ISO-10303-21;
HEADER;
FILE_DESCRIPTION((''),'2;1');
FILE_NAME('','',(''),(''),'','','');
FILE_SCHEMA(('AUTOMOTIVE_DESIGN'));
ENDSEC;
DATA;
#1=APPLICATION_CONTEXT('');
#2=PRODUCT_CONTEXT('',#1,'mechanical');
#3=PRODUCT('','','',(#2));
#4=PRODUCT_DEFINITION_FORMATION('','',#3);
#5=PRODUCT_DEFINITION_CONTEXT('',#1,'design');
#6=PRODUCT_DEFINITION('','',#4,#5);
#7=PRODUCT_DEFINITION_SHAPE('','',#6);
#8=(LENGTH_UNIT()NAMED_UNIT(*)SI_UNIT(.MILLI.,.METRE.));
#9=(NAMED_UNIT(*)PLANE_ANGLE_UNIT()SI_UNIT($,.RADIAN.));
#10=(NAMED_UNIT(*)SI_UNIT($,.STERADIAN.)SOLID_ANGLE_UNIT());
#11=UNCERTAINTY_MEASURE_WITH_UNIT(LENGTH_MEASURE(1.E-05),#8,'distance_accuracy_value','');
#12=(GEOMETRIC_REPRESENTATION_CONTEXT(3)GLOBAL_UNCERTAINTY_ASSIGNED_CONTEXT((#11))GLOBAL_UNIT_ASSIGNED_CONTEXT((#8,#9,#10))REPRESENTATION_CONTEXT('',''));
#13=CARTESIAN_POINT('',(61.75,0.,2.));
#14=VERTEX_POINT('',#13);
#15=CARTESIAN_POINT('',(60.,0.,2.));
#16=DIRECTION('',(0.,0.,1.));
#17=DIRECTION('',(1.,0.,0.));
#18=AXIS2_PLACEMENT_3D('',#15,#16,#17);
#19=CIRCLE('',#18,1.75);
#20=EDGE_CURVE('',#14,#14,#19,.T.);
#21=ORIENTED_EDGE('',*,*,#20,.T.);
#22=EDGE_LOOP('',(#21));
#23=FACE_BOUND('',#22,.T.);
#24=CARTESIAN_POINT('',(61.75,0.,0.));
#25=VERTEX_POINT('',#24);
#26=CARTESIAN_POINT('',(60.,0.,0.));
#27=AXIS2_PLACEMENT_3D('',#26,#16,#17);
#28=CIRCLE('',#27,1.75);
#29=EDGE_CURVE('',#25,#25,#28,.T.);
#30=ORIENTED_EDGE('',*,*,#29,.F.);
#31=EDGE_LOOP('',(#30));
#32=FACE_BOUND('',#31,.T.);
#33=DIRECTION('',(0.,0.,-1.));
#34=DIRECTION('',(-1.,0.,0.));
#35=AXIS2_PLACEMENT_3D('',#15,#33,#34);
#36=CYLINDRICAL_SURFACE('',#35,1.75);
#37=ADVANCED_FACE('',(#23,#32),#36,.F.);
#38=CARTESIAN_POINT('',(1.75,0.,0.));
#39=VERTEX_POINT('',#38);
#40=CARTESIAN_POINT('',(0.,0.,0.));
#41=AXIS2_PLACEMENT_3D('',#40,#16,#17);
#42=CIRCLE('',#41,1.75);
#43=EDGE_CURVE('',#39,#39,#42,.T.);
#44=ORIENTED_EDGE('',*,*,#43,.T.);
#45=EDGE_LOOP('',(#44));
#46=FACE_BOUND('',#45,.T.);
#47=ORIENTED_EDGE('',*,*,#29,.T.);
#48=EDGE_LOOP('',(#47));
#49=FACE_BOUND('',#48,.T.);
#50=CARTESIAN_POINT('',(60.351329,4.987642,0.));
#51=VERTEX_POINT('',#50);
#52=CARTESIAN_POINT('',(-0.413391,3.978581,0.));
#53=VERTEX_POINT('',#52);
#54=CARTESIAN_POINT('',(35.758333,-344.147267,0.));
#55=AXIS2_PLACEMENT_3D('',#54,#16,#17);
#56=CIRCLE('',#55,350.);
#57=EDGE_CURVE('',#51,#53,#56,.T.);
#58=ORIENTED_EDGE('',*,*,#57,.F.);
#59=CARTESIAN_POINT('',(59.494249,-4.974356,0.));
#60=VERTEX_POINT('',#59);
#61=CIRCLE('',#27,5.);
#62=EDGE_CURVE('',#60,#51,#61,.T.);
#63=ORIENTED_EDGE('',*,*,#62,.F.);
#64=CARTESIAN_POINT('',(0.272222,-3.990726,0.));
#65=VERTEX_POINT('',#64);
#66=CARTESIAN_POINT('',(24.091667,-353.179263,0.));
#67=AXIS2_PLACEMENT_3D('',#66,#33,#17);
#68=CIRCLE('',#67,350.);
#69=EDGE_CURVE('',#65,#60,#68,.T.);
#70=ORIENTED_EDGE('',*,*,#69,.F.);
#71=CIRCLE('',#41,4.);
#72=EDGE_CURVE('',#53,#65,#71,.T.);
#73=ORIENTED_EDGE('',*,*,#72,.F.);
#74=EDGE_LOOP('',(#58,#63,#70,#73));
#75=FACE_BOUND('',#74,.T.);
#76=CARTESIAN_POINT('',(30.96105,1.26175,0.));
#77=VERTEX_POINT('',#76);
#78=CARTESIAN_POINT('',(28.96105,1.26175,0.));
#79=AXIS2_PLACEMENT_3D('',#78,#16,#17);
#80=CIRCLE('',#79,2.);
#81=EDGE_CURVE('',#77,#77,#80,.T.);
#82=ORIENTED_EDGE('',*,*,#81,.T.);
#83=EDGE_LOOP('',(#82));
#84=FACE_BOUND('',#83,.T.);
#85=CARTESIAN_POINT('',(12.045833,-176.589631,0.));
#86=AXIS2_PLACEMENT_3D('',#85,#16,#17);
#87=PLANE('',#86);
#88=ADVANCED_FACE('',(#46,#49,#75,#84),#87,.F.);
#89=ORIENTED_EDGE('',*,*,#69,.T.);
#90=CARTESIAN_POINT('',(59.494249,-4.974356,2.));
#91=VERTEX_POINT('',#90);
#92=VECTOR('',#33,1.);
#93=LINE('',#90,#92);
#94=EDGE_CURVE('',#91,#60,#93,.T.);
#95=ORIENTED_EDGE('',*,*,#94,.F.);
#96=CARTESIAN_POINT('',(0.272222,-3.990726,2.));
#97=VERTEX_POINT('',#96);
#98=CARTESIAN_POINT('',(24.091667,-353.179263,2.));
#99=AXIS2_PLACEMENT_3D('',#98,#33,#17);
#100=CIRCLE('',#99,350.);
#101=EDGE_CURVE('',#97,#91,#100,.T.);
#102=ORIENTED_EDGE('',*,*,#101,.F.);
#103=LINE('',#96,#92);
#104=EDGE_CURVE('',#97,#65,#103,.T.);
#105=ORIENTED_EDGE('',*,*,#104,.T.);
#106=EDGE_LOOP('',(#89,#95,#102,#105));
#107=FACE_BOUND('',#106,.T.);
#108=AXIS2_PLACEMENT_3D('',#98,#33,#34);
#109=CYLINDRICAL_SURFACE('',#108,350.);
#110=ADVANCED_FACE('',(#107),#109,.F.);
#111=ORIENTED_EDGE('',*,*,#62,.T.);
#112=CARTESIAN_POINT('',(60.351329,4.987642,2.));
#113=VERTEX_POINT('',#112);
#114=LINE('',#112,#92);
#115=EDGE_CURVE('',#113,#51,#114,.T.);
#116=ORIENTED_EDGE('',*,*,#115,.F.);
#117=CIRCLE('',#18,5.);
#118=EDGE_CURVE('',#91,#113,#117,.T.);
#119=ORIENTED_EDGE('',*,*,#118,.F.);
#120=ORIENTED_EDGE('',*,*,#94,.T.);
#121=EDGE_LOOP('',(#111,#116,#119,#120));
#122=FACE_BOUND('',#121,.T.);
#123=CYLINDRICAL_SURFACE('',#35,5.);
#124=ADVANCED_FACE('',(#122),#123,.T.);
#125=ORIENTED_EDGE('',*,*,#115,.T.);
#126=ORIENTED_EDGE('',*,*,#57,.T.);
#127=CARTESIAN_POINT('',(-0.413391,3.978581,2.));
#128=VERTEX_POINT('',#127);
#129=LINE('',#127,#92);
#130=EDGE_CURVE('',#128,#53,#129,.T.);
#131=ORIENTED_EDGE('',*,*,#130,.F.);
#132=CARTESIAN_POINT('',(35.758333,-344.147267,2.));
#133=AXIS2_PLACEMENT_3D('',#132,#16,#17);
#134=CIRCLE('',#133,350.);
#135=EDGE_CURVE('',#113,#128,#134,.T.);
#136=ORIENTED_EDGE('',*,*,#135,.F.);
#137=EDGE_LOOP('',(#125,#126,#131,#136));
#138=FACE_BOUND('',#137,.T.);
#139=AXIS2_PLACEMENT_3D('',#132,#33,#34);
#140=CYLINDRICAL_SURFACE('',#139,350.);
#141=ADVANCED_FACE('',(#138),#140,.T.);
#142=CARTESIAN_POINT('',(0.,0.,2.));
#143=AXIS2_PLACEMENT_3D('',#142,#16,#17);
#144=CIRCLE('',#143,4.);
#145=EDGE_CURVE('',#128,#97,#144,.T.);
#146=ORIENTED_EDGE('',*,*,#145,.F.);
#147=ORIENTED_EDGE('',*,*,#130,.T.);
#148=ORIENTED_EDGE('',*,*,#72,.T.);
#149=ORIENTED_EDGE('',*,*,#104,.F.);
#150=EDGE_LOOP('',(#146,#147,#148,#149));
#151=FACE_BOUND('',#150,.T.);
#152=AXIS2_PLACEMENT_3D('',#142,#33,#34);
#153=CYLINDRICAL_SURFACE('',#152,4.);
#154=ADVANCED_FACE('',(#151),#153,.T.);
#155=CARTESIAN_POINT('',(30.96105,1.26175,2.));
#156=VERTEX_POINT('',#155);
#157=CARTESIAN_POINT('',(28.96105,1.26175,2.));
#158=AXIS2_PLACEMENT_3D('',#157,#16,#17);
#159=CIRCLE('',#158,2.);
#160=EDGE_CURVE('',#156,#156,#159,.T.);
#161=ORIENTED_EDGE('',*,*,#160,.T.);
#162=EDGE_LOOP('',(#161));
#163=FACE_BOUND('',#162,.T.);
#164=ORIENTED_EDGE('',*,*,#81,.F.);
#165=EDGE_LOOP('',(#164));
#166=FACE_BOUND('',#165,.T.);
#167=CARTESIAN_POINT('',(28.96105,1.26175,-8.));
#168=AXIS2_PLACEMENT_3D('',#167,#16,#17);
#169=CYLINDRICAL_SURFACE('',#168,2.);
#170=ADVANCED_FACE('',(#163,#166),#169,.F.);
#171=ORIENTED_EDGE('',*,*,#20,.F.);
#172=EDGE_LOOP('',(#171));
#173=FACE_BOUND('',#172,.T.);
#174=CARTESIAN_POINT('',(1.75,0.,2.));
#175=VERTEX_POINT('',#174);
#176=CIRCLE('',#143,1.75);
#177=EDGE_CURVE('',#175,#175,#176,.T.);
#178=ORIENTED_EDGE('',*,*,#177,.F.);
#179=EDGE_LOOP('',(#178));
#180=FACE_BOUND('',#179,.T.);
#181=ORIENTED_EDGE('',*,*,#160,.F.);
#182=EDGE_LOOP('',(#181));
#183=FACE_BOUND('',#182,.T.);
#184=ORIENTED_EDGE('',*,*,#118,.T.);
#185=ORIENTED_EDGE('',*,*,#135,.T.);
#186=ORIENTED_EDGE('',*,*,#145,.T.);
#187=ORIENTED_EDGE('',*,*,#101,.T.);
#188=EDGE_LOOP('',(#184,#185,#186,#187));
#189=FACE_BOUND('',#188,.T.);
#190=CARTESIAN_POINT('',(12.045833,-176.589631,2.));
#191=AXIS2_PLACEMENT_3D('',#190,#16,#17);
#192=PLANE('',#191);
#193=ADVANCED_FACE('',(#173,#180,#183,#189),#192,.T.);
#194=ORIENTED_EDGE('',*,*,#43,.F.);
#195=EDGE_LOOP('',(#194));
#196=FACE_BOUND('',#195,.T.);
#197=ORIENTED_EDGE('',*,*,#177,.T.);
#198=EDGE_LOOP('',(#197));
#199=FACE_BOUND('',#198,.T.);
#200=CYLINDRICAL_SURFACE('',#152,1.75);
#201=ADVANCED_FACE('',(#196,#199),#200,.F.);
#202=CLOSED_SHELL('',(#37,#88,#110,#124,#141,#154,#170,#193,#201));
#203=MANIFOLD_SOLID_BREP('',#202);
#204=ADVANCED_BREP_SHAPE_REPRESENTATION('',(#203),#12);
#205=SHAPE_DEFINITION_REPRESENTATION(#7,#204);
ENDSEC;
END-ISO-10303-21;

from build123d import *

# Parameters (mm, degrees)
SKETCH1_R           = 1.75
BOSS_EXTRUDE1_DEPTH = 2
SKETCH_1_R          = 2
CUT_EXTRUDE_1_DEPTH = 10


with BuildPart() as part:
    # Sketch1 → Boss-Extrude1 (new body)
    with BuildSketch(Plane.XY):
        with BuildLine():
            ThreePointArc((-0.413391137, 3.978581125), (-3.985278749, -0.34286046), (0.272222222, -3.990726132))
            ThreePointArc((0.272222222, -3.990726132), (29.90408025, -3.227529096), (59.494248826, -4.974355813))
            ThreePointArc((59.494248826, -4.974355813), (64.981597081, -0.428591321), (60.351328502, 4.987641555))
            ThreePointArc((60.351328502, 4.987641555), (29.947025925, 5.804484659), (-0.413391137, 3.978581125))
        make_face()
        Circle(SKETCH1_R, mode=Mode.SUBTRACT)
        with Locations((60, 0)):
            Circle(SKETCH1_R, mode=Mode.SUBTRACT)
    extrude(amount=BOSS_EXTRUDE1_DEPTH)

    # 草图1 → 切除-拉伸1 (cut)
    with BuildSketch(Plane.XY.offset(2)):
        with Locations((28.961050448, 1.261749932)):
            Circle(SKETCH_1_R)
    extrude(amount=-CUT_EXTRUDE_1_DEPTH, mode=Mode.SUBTRACT)


solid = part.part
